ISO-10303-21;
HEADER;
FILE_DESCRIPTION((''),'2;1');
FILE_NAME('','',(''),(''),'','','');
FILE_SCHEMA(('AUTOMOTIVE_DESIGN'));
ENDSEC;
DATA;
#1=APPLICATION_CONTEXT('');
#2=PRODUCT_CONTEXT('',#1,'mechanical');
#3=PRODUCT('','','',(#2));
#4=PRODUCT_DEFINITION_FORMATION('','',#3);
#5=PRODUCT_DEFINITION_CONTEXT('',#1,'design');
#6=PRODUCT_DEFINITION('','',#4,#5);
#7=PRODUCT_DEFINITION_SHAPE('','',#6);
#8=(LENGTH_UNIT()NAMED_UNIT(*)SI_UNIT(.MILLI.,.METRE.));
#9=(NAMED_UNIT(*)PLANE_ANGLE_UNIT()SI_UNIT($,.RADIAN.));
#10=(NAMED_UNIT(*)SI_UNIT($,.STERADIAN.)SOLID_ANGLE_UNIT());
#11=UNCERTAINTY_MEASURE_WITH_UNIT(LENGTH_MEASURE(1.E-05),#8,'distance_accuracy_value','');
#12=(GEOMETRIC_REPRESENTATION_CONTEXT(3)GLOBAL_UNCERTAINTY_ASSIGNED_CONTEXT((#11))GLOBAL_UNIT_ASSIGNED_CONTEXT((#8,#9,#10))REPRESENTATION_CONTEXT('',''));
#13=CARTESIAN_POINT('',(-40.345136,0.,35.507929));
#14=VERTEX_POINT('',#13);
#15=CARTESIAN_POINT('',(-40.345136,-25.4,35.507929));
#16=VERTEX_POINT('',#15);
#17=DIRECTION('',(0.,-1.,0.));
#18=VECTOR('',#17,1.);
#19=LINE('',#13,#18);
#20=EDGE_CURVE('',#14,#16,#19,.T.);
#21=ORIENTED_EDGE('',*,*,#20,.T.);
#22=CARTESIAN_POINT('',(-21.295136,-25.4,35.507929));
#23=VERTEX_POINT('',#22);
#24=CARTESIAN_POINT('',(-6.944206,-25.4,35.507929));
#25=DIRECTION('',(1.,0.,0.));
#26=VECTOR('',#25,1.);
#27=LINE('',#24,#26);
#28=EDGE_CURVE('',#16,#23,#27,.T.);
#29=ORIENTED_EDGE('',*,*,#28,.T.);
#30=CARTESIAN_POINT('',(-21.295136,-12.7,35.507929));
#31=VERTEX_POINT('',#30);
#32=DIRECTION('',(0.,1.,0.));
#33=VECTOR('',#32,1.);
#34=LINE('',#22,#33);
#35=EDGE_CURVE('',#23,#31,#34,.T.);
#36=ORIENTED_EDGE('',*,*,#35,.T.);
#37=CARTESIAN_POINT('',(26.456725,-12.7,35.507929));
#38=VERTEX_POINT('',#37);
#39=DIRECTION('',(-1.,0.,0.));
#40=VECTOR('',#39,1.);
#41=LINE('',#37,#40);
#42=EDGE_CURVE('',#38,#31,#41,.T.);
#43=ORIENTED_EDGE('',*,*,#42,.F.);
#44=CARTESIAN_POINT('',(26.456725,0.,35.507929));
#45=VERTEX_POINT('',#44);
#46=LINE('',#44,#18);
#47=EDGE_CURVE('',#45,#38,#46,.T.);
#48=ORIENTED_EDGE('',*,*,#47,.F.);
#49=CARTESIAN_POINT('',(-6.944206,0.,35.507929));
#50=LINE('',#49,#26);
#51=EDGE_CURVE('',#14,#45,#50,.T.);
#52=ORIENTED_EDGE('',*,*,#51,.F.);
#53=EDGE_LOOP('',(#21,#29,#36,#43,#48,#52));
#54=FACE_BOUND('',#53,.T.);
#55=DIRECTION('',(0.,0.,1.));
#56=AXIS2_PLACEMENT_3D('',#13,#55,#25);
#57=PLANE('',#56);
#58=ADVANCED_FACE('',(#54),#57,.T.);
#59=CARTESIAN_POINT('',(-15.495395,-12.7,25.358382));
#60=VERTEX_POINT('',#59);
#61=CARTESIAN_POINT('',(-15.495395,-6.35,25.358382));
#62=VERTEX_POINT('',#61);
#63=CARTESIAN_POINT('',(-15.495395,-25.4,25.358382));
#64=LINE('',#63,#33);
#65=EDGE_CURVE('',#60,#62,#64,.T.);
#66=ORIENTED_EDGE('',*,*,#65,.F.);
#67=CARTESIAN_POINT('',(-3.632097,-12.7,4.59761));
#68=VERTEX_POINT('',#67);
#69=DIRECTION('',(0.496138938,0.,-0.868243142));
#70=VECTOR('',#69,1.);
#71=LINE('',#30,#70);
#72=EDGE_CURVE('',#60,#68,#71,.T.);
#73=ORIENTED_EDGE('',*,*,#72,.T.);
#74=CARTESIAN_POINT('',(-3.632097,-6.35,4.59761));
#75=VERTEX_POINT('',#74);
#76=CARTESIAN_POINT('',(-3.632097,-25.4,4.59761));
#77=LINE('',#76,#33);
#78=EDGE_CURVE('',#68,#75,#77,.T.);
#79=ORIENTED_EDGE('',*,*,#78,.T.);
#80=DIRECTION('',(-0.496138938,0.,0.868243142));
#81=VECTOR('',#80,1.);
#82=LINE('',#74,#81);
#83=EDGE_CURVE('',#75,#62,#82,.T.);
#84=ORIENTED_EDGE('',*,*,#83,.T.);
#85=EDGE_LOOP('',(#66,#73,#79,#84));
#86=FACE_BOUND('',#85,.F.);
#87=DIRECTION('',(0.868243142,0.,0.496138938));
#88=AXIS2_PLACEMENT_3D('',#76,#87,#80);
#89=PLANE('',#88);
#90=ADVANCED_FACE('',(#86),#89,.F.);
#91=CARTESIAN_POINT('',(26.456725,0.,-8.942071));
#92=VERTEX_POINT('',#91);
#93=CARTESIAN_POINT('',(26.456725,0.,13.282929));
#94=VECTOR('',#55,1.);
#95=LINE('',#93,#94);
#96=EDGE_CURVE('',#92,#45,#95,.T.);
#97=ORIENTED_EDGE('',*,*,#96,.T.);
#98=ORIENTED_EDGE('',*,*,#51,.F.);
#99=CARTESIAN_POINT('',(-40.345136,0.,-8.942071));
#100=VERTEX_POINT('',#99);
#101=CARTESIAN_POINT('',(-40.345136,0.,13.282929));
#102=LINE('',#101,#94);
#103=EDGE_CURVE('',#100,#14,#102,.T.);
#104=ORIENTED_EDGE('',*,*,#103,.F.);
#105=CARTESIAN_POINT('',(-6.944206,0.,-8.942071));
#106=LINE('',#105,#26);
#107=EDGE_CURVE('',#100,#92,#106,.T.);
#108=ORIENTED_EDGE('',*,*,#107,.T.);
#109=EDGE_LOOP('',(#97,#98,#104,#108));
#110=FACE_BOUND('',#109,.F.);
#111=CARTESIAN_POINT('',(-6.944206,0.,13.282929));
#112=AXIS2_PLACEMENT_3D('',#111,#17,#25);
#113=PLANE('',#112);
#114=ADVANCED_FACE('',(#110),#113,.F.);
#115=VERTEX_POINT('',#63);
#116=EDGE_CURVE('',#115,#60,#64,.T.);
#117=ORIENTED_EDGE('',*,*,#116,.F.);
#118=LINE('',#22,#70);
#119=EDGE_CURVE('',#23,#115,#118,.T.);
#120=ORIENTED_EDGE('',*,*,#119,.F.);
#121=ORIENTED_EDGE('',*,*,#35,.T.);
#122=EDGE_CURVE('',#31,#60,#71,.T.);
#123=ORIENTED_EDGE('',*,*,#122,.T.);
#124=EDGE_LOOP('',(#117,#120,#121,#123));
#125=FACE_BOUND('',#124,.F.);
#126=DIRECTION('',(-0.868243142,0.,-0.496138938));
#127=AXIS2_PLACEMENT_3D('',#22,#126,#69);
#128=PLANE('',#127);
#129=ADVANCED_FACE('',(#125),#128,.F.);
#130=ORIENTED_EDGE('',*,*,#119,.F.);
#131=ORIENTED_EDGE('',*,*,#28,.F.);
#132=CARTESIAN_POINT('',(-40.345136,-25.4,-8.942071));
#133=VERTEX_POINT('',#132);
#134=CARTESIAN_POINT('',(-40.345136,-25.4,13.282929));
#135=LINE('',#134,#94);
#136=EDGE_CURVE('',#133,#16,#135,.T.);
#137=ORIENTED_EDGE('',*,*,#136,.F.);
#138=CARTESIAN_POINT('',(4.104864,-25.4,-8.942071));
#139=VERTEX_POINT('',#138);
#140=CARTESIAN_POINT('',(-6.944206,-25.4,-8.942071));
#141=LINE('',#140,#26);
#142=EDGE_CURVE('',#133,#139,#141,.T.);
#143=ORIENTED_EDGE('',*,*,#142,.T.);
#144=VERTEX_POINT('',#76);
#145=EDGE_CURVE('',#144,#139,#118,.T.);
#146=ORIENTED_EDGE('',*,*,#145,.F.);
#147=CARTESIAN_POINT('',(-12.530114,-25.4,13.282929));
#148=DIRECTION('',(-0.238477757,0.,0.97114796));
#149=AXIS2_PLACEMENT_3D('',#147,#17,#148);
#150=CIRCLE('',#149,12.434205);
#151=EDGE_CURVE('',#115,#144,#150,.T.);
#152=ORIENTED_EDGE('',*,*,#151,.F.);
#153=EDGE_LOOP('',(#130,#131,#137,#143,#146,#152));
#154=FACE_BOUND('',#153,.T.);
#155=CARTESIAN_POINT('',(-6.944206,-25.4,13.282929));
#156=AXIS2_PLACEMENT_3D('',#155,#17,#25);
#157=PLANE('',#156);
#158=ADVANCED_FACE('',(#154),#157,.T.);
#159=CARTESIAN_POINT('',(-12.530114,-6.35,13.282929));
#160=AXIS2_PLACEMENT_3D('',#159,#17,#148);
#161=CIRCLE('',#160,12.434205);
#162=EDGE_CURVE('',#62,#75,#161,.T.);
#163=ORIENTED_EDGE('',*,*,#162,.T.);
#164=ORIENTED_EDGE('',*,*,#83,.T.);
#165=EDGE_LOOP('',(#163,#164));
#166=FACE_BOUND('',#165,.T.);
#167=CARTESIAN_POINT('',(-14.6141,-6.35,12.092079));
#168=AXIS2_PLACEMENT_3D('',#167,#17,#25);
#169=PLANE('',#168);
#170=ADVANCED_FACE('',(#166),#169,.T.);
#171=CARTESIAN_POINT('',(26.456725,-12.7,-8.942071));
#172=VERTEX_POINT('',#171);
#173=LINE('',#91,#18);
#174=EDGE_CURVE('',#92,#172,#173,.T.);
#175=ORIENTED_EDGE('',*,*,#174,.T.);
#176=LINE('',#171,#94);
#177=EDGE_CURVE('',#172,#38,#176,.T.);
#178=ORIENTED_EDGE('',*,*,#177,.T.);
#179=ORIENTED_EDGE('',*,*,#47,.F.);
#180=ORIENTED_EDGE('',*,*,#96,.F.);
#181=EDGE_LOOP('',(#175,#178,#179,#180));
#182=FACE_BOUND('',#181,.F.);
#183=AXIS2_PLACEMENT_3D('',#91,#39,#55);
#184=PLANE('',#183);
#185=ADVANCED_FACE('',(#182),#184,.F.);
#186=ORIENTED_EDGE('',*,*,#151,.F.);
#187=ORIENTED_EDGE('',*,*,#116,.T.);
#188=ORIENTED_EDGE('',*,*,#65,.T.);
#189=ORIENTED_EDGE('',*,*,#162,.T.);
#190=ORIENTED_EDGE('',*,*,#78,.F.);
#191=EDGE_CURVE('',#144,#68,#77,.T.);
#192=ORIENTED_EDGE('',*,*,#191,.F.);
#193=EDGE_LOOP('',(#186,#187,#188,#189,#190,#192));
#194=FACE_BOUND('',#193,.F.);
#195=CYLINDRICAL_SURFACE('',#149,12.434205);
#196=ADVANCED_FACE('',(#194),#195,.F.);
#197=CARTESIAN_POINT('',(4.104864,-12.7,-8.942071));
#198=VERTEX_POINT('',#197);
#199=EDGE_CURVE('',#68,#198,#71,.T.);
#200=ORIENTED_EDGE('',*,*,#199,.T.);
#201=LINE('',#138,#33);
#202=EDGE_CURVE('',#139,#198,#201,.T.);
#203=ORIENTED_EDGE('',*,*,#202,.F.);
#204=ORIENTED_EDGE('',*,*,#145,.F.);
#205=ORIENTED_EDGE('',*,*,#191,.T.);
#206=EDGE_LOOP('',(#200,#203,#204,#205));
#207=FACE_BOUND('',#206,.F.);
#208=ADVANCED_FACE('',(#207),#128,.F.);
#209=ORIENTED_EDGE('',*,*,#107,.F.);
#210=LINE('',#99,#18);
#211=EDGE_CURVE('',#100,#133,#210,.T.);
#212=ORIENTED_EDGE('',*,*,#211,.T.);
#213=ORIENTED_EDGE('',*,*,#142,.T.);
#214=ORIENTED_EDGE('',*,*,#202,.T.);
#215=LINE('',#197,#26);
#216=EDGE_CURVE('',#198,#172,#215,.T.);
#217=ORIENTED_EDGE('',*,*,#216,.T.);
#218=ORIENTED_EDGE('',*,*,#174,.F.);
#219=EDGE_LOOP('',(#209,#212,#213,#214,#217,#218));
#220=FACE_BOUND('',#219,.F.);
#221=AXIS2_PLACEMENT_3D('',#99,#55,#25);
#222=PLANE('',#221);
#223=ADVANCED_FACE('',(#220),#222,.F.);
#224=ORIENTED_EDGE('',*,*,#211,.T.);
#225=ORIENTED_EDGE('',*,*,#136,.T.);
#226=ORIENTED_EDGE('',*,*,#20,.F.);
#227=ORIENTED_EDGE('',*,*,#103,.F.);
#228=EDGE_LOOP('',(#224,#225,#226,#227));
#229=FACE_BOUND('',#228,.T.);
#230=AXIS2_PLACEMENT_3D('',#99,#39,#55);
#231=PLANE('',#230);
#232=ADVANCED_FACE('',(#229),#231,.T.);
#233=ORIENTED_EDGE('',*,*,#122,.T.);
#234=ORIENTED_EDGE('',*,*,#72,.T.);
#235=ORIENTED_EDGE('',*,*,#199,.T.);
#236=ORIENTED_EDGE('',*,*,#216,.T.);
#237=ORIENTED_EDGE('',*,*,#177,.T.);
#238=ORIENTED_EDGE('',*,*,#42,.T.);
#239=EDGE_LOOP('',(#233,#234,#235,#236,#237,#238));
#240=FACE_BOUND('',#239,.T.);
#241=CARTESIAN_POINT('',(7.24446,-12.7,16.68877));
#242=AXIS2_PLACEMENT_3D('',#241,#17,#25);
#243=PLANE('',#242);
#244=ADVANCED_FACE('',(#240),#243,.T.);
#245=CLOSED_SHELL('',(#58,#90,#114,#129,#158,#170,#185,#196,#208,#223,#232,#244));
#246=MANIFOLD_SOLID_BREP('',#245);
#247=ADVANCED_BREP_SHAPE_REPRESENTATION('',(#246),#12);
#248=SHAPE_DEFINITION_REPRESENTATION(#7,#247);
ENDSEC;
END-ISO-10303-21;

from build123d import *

# Parameters (mm, degrees)
F0_W     = 66.8018609285
F0_H     = 44.45
F1_DEPTH = 25.4
F3_DEPTH = 12.7
F5_DEPTH = 19.05


with BuildPart() as f1:
    # F0 (on Front) → F1 (new body)
    with BuildSketch(Plane.XZ):
        with Locations((-6.9442056119, 13.2829286516)):
            Rectangle(F0_W, F0_H)
    extrude(amount=F1_DEPTH)

    # F2 (on face) → F3 (cut)
    with BuildSketch(Plane.XZ.offset(25.4)):
        Polygon((26.4567248523, 35.5079286516), (-21.2951360762, 35.5079286516), (4.1048639238, -8.9420713484), (26.4567248523, -8.9420713484), align=None)
    extrude(amount=-F3_DEPTH, mode=Mode.SUBTRACT)

    # F4 (on face) → F5 (cut)
    with BuildSketch(Plane.XZ.offset(25.4)):
        with BuildLine():
            Line((-3.6320969141, 4.5976101178), (-15.4953949278, 25.3583816418))
            ThreePointArc((-15.4953949278, 25.3583816418), (-23.3260269454, 7.1138352944), (-3.6320969141, 4.5976101178))
        make_face()
    extrude(amount=-F5_DEPTH, mode=Mode.SUBTRACT)


solid = f1.part
